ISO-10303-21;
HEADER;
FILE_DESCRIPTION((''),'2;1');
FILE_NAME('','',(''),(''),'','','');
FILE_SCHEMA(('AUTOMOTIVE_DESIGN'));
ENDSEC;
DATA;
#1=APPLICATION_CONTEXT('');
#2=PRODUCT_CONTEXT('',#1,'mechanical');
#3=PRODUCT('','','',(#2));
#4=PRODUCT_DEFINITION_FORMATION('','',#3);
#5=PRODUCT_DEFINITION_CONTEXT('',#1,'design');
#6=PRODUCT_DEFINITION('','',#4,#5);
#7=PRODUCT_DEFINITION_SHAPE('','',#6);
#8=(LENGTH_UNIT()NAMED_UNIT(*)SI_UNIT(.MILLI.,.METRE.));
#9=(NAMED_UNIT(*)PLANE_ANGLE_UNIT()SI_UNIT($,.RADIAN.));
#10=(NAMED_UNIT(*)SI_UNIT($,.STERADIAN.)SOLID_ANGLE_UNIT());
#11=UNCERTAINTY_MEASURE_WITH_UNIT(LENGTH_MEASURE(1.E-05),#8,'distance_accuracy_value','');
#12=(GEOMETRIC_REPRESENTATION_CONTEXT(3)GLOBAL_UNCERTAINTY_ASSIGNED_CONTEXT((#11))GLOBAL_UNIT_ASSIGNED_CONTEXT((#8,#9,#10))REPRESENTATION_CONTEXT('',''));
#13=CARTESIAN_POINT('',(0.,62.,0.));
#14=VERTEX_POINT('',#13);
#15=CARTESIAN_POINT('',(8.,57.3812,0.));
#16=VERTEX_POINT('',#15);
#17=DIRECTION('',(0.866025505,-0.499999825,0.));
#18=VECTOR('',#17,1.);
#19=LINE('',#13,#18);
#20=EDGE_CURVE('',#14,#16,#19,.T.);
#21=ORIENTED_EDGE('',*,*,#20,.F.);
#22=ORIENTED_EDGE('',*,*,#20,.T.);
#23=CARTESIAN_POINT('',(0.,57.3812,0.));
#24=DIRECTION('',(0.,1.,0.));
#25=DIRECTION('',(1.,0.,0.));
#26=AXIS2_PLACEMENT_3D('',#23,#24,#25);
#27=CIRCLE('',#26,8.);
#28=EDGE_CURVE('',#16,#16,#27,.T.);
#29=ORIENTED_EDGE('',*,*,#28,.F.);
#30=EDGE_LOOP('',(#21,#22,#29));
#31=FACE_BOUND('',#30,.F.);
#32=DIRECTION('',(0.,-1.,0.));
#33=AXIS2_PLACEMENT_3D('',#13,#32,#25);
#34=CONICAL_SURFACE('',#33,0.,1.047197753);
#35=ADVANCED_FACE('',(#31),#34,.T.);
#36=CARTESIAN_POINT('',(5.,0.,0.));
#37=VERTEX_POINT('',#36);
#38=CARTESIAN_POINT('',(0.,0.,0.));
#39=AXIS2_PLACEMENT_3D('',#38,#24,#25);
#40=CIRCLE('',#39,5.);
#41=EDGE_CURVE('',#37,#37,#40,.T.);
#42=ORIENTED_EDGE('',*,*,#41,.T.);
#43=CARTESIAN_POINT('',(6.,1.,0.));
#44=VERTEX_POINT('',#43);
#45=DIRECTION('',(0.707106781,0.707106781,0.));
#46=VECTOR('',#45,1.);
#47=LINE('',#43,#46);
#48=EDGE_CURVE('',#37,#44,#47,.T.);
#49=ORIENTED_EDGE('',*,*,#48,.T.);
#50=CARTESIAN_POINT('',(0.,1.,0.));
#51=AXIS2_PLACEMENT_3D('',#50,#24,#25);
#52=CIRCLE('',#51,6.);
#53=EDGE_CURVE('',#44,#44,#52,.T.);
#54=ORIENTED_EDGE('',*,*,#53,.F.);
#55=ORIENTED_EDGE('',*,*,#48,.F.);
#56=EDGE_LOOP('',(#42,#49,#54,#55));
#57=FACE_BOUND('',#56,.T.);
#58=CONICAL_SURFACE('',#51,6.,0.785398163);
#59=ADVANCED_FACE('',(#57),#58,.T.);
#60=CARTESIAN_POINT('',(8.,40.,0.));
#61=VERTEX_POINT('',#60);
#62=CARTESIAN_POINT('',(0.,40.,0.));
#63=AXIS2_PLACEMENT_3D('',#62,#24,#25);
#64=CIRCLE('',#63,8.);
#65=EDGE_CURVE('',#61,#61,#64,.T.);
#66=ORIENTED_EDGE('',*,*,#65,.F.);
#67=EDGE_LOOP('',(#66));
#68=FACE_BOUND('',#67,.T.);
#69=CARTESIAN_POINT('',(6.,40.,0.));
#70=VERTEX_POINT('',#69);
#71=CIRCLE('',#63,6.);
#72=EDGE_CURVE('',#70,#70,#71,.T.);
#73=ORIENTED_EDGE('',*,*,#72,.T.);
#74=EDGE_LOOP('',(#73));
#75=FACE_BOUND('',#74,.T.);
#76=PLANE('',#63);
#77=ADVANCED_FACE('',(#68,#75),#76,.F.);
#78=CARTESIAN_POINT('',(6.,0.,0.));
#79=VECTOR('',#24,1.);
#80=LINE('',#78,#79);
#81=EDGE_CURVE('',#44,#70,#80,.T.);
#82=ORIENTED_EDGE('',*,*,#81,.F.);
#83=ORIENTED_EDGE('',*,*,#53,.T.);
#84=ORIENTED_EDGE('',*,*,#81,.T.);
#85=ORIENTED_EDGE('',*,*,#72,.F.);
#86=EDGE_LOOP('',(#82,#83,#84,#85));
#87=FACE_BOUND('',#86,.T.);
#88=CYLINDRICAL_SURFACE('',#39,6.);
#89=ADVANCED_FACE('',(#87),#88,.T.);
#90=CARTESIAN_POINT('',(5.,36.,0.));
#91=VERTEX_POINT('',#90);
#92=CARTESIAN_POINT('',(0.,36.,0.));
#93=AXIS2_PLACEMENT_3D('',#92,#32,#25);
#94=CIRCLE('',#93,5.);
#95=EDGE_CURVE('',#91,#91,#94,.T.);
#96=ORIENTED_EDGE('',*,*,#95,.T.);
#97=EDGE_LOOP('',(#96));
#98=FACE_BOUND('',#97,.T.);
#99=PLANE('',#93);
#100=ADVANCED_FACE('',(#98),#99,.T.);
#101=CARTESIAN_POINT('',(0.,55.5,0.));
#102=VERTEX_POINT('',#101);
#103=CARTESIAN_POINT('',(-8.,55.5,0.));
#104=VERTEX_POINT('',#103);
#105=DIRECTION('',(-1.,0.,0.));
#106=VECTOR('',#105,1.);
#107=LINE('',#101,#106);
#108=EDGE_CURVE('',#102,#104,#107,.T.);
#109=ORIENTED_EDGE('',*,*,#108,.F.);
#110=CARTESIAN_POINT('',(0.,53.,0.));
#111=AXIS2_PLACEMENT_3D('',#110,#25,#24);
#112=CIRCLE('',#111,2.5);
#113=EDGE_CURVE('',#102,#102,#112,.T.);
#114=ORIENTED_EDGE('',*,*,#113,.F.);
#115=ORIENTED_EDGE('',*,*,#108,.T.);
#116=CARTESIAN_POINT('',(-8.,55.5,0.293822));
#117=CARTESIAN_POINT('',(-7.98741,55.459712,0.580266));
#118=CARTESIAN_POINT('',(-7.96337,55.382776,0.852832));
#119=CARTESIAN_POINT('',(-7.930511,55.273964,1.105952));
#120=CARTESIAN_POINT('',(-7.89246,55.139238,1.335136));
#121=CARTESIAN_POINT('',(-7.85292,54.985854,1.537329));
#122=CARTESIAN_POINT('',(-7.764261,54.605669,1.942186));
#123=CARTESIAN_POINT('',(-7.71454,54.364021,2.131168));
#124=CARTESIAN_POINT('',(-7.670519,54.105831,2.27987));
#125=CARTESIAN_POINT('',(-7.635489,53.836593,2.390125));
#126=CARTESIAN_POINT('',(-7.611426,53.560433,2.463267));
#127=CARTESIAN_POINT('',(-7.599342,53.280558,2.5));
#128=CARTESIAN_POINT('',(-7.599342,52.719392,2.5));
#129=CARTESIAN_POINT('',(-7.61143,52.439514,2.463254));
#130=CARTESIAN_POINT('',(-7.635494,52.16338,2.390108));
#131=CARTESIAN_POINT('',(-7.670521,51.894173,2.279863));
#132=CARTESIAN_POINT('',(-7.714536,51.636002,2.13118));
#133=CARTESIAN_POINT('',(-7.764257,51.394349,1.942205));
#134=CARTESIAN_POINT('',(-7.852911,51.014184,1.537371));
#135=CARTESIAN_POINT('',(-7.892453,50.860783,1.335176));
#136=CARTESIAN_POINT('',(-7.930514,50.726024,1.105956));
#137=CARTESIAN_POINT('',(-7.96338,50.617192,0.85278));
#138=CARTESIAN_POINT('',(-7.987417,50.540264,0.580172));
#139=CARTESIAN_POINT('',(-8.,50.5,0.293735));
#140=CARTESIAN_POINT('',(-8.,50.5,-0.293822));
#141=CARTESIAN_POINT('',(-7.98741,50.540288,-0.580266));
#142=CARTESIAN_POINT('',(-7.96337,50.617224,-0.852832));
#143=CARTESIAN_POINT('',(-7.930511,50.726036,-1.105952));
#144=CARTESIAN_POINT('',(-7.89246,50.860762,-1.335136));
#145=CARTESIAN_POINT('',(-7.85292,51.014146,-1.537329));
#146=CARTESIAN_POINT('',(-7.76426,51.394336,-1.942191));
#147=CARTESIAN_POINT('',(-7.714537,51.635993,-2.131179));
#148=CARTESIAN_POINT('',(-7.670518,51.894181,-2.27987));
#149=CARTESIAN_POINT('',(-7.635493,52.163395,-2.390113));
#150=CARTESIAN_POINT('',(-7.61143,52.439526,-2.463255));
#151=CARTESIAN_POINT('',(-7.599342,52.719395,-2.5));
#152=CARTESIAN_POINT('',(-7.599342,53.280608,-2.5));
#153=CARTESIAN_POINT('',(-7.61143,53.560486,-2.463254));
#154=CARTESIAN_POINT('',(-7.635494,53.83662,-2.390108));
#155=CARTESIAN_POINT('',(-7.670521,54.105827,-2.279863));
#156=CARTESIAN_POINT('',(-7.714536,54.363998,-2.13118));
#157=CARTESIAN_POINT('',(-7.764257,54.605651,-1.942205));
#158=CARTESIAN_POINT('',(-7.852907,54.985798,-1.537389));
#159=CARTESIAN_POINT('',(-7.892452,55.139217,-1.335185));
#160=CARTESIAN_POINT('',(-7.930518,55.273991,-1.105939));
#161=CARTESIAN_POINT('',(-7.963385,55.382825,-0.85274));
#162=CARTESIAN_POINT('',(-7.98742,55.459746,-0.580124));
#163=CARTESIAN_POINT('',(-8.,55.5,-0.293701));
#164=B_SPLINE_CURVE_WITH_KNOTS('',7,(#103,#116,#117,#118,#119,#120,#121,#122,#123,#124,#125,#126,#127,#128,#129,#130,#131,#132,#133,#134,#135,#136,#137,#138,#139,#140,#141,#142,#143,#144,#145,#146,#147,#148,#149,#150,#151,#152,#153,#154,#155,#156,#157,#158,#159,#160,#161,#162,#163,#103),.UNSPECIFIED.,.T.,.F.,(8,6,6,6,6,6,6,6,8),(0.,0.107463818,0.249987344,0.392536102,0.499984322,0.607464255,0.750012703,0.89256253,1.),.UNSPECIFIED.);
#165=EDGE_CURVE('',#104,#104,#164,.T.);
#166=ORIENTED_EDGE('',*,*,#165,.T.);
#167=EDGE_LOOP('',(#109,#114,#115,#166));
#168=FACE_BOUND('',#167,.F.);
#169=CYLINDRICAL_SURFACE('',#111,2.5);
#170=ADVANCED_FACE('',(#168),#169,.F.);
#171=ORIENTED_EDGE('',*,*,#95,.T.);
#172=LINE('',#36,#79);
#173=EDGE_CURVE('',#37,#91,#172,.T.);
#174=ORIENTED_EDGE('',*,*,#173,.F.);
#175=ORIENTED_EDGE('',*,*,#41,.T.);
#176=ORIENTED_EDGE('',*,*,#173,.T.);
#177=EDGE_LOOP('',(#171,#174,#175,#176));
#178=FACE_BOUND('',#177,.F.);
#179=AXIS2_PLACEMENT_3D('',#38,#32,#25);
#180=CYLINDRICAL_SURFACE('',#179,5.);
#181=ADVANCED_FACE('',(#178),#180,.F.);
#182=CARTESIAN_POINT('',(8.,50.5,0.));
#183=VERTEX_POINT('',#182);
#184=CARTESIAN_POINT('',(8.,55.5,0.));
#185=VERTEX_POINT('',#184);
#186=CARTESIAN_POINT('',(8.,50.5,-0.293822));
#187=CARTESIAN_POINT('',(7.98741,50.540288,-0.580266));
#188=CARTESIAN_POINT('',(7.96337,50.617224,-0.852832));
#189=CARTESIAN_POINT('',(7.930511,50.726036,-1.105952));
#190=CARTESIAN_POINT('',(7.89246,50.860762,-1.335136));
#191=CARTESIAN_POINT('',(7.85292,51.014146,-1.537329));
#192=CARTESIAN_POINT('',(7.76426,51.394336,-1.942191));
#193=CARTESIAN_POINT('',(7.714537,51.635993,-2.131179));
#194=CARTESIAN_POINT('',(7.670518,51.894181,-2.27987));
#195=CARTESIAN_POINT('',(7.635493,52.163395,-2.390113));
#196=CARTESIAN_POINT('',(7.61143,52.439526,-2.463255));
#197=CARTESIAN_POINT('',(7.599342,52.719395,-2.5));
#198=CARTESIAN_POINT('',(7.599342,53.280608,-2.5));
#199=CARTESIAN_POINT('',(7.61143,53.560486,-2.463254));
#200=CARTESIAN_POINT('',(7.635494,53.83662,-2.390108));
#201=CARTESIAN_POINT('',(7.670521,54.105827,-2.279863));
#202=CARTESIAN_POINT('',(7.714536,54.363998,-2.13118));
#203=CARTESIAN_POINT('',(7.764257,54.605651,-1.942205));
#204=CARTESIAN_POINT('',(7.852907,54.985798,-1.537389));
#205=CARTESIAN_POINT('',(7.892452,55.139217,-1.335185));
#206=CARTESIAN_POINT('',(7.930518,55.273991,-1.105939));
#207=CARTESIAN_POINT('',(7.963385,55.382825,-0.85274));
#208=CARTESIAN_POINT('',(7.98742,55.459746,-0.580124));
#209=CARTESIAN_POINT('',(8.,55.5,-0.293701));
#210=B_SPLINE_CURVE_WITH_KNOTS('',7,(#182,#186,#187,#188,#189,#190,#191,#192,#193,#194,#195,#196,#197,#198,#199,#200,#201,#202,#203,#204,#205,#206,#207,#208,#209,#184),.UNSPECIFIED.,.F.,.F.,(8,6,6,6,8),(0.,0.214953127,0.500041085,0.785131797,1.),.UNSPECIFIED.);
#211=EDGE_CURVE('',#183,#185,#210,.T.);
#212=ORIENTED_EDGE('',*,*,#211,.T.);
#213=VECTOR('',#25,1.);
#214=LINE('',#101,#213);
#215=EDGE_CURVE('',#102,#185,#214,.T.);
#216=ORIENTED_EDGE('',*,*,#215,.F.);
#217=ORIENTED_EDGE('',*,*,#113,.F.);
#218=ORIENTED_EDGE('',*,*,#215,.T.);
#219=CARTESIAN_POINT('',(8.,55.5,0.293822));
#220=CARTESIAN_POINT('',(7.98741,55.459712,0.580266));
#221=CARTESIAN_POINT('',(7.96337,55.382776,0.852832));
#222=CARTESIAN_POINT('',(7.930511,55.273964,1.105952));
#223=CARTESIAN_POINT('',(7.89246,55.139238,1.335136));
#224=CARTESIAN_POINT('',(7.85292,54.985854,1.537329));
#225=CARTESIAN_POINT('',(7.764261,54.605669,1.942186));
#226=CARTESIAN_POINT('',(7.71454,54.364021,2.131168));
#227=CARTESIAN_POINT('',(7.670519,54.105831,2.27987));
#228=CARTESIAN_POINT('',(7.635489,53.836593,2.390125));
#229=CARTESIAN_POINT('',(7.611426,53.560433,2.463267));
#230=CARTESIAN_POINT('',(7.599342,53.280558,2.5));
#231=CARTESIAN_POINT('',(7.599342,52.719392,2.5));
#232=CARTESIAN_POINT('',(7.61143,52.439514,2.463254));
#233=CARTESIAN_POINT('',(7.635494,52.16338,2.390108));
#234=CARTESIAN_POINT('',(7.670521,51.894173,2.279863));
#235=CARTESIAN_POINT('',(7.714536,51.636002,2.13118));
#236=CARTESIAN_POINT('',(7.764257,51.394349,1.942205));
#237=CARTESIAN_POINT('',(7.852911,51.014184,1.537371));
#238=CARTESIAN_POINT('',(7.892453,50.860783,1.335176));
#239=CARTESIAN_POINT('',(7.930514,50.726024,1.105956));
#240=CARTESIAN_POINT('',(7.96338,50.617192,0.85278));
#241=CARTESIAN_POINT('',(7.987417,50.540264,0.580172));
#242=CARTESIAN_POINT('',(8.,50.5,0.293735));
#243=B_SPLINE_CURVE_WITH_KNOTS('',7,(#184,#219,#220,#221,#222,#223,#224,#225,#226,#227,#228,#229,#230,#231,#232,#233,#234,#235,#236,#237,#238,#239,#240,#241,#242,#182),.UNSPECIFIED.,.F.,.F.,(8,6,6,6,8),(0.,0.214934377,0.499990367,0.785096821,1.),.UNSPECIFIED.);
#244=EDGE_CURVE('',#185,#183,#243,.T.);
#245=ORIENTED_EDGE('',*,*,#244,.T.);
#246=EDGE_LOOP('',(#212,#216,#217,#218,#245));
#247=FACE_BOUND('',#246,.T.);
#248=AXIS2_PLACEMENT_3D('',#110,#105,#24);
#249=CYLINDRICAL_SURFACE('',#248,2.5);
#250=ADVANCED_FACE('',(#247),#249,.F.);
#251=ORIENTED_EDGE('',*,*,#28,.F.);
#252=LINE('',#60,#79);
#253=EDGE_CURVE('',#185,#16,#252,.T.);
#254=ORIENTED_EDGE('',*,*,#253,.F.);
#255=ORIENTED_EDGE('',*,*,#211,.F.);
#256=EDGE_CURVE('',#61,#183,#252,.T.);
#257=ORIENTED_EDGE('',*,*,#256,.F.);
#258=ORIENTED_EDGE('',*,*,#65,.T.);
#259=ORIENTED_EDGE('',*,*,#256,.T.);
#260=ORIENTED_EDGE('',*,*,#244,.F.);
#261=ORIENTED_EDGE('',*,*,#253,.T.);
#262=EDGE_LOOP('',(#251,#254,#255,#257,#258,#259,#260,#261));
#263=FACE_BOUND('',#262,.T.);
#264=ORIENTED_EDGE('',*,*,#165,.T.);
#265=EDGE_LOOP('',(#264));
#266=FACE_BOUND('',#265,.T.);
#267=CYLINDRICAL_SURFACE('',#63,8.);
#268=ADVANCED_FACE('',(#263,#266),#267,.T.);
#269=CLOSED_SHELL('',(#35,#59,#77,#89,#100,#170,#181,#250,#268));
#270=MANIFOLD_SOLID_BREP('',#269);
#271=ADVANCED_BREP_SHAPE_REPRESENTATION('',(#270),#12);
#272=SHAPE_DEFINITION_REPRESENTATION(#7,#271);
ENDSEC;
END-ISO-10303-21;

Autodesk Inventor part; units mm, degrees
ref_plane "YZ Plane" through (0, 0, 0) normal (1, 0, 0) x (0, 1, 0)
ref_plane "XZ Plane" through (0, 0, 0) normal (0, 1, 0) x (-1, 0, 0)
ref_plane "XY Plane" through (0, 0, 0) normal (0, 0, 1) x (1, 0, 0)
sketch "草圖1" plane through (0, 0, 0) normal (0, 0, 1) x (1, 0, 0)
  line L0 (0, 0) -> (6, 0)
  line L1 (6, 0) -> (6, 40)
  line L2 (6, 40) -> (8, 40)
  line L3 (8, 40) -> (8, 57.3812)
  line L4 (0, 62) -> (0, 64.8191)
  line L5 (0, 62) -> (8, 57.3812)
  line L6 (0, 0) -> (0, 62)
  dimension "d0" = 6
  dimension "d1" = 40
  dimension "d3" = 2
  dimension "d6" = 60
  dimension "d7" = 0
  dimension "d8" = 62
revolve "迴轉1" add sketch "草圖1" angle 360 about axis through (0, 62, 0) along (0, 1, 0)
chamfer "倒角1" distance 1 distance2 1 1 edges at (-6, 0, 0) measured on face at (-3.0269, 0, 1.5886)
sketch "草圖2" plane through (0, 0, 0) normal (0, -1, 0) x (1, 0, 0)
  circle A0 centre (0, 0) radius 5
extrude "擠出1" cut sketch "草圖2" against normal blind 36
sketch "草圖4" plane through (0, 0, 0) normal (1, 0, 0) x (0, 1, 0)
  circle A0 centre (53, 0) radius 2.5
  line L0 (40, 8) -> (40, -8) projected
  point P0 (0, 0)
  dimension "d17" = 13
  dimension "d18" = 5
  dimension "d19" = 0
extrude "擠出2" cut sketch "草圖4" along normal through all both and the other way through all
thread "螺紋2" size "M12x1.75" class "6g" standard "ANSI Metric M Profile" full length
thread "螺紋3" size "M6x1" class "6H" standard "ANSI Metric M Profile" full length
properties part number "B"
